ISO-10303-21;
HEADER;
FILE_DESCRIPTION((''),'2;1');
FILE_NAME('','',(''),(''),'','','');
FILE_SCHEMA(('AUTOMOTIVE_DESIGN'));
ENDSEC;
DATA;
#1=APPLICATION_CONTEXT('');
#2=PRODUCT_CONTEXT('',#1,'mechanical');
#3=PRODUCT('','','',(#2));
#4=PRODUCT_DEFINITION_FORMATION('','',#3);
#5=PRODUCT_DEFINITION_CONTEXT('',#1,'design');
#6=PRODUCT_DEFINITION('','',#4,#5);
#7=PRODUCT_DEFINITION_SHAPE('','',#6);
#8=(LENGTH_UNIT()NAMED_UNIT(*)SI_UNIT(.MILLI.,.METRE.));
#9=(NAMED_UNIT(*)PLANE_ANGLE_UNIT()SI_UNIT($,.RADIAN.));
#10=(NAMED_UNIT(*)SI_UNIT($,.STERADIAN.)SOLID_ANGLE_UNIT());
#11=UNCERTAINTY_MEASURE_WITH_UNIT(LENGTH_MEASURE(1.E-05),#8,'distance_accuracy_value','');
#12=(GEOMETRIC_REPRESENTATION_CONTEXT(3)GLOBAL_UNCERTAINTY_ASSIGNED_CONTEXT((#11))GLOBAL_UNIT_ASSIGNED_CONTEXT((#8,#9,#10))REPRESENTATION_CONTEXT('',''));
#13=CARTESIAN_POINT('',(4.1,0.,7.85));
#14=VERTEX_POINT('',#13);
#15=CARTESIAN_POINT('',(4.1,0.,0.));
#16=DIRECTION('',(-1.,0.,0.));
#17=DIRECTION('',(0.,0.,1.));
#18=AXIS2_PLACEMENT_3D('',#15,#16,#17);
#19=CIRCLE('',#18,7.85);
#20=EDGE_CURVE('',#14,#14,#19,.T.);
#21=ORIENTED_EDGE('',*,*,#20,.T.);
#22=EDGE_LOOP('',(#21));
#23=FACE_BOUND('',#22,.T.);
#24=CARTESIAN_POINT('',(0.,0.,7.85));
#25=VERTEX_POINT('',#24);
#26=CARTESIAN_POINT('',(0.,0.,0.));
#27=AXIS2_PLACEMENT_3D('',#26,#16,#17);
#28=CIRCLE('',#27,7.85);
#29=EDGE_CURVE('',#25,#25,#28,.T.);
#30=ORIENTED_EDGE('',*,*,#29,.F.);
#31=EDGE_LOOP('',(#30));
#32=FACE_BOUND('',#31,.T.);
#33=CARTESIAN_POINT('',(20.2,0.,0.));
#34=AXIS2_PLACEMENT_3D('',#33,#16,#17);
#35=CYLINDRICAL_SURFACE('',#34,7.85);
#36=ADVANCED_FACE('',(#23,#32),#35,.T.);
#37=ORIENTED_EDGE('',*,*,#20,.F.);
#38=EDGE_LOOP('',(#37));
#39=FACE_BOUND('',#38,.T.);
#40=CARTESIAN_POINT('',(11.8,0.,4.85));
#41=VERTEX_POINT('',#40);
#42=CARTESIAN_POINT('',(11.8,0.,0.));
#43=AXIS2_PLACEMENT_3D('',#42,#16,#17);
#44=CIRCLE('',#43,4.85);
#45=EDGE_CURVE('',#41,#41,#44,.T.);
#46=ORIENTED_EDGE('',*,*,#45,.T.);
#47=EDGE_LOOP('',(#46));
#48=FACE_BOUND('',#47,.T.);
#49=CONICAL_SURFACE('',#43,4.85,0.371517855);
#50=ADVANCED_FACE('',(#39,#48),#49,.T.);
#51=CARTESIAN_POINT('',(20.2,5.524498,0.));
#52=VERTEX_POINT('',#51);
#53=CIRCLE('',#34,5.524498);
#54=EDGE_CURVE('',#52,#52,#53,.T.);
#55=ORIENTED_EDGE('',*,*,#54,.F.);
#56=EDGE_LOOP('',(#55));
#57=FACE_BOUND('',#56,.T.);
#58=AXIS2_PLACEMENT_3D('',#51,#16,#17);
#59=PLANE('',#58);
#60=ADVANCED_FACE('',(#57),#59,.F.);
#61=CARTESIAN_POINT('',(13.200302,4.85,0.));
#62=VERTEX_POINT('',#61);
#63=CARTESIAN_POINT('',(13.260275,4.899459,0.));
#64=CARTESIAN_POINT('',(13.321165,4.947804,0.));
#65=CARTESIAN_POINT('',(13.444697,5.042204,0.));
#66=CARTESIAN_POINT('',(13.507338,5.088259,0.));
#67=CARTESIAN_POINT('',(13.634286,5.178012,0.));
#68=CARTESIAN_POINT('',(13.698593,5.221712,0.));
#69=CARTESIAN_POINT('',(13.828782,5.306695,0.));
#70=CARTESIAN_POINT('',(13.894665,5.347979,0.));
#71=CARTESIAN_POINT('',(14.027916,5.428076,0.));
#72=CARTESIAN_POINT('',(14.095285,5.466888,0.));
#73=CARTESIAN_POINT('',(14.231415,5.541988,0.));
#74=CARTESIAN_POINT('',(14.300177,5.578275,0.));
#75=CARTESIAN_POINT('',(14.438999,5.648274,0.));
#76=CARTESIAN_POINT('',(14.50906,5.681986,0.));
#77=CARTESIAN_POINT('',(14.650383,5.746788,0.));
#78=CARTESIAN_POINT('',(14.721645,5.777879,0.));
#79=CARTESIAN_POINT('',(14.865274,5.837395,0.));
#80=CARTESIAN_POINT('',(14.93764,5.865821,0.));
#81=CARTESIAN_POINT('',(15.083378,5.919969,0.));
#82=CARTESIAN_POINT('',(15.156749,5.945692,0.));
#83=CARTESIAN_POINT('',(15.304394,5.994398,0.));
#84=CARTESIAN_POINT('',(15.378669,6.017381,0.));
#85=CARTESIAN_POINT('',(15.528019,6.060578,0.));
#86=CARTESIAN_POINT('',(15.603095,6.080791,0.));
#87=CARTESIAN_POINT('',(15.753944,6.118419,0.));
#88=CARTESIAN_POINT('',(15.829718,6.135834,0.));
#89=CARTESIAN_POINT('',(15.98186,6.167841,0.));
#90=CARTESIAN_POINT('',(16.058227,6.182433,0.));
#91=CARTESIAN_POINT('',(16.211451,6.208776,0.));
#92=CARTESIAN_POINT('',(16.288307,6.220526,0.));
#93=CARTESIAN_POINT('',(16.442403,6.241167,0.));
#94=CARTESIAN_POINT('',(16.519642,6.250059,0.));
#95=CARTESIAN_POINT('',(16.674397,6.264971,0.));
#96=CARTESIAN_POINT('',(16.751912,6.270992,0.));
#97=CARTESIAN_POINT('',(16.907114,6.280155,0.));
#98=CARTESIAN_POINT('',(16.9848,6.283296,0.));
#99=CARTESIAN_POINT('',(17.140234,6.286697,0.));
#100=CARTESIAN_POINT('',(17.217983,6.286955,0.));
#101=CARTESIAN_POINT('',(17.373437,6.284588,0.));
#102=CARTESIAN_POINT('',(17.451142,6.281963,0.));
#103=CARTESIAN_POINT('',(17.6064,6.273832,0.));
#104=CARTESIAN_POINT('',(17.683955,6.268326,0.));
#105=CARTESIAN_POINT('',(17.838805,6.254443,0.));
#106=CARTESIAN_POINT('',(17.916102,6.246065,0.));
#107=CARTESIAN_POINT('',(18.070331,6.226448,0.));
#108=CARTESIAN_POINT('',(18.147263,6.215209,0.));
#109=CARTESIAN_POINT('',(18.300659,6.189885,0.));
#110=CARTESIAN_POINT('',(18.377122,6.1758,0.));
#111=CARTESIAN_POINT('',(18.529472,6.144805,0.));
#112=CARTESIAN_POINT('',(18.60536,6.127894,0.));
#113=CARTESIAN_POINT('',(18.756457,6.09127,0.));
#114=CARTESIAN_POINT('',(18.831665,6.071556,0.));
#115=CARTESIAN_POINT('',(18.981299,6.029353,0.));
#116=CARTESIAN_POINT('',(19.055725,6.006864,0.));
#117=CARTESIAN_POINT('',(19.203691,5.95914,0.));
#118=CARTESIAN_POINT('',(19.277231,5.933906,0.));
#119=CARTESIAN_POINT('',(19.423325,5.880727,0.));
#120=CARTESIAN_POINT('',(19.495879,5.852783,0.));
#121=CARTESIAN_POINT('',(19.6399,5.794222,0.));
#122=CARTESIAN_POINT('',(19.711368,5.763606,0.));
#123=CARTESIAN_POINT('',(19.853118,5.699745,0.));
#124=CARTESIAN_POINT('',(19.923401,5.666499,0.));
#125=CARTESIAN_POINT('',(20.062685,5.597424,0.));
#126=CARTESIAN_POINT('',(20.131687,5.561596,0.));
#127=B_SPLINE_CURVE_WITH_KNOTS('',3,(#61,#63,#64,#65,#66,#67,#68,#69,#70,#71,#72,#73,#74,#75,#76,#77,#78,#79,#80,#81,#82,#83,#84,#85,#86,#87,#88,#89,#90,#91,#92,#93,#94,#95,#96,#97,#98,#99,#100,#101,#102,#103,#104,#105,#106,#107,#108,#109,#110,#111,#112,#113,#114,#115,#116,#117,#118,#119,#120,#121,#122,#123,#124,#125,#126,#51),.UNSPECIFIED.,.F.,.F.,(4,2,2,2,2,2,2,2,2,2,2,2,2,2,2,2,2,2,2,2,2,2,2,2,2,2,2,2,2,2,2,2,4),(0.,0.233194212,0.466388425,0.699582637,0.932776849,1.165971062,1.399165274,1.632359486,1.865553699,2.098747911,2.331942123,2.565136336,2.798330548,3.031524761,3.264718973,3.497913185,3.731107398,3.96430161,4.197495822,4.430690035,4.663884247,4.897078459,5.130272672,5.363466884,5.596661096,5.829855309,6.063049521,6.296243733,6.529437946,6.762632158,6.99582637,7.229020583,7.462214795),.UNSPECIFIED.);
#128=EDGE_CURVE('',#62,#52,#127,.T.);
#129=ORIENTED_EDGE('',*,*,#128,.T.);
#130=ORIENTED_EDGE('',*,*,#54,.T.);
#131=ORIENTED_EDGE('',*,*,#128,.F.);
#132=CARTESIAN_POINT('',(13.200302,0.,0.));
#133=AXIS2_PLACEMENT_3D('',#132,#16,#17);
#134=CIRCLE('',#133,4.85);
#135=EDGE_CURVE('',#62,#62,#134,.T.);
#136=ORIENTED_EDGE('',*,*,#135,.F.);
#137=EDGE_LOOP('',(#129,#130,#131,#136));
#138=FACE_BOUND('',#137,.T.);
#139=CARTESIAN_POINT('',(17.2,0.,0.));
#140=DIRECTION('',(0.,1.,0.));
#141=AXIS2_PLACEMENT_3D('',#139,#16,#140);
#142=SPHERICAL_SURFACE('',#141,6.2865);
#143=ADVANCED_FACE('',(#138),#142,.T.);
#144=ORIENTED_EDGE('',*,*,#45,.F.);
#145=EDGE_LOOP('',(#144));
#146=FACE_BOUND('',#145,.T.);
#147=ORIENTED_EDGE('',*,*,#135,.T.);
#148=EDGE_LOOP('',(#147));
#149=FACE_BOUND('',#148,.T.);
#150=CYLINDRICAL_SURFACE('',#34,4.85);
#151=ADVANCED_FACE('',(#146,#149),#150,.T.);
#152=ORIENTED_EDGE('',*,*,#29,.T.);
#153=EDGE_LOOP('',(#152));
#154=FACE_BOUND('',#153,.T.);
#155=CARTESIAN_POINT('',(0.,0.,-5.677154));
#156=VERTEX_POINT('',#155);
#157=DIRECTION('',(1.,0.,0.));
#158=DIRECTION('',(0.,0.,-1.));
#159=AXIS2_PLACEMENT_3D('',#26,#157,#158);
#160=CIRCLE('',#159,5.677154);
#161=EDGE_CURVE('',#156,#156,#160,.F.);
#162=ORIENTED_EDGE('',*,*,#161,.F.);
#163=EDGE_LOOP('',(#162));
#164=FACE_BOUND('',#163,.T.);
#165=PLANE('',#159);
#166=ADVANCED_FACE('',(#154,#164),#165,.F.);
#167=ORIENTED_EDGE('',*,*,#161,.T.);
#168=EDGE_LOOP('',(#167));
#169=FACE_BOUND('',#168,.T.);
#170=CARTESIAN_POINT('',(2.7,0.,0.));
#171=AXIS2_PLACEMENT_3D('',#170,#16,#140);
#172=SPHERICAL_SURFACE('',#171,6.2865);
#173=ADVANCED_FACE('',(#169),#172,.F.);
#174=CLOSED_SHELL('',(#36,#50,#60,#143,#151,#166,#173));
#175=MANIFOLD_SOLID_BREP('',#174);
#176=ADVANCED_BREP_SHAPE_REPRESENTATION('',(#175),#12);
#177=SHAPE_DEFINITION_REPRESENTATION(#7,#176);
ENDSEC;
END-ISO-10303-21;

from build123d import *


with BuildPart() as part:
    # 草图1 → 旋转1 (revolve)
    with BuildSketch(Plane.XY):
        with BuildLine():
            Line((0, 0), (0, 7.85))
            Line((0, 7.85), (4.1, 7.85))
            Line((4.1, 7.85), (11.8, 4.85))
            Line((11.8, 4.85), (13.20030223, 4.85))
            ThreePointArc((13.20030223, 4.85), (16.597019137, 6.257515188), (20.2, 5.524498371))
            Line((20.2, 5.524498371), (20.2, 0))
            Line((20.2, 0), (0, 0))
        make_face()
    revolve(axis=Axis((20.2, 0, 0), (-1, 0, 0)))

    # 草图2 → 切除-旋转1 (revolve, cut)
    with BuildSketch(Plane.XY):
        with BuildLine():
            Line((8.9865, 0), (-3.5865, 0))
            ThreePointArc((-3.5865, 0), (2.7, 6.2865), (8.9865, 0))
        make_face()
    revolve(axis=Axis((50, 0, 0), (-1, 0, 0)), mode=Mode.SUBTRACT)


solid = part.part
